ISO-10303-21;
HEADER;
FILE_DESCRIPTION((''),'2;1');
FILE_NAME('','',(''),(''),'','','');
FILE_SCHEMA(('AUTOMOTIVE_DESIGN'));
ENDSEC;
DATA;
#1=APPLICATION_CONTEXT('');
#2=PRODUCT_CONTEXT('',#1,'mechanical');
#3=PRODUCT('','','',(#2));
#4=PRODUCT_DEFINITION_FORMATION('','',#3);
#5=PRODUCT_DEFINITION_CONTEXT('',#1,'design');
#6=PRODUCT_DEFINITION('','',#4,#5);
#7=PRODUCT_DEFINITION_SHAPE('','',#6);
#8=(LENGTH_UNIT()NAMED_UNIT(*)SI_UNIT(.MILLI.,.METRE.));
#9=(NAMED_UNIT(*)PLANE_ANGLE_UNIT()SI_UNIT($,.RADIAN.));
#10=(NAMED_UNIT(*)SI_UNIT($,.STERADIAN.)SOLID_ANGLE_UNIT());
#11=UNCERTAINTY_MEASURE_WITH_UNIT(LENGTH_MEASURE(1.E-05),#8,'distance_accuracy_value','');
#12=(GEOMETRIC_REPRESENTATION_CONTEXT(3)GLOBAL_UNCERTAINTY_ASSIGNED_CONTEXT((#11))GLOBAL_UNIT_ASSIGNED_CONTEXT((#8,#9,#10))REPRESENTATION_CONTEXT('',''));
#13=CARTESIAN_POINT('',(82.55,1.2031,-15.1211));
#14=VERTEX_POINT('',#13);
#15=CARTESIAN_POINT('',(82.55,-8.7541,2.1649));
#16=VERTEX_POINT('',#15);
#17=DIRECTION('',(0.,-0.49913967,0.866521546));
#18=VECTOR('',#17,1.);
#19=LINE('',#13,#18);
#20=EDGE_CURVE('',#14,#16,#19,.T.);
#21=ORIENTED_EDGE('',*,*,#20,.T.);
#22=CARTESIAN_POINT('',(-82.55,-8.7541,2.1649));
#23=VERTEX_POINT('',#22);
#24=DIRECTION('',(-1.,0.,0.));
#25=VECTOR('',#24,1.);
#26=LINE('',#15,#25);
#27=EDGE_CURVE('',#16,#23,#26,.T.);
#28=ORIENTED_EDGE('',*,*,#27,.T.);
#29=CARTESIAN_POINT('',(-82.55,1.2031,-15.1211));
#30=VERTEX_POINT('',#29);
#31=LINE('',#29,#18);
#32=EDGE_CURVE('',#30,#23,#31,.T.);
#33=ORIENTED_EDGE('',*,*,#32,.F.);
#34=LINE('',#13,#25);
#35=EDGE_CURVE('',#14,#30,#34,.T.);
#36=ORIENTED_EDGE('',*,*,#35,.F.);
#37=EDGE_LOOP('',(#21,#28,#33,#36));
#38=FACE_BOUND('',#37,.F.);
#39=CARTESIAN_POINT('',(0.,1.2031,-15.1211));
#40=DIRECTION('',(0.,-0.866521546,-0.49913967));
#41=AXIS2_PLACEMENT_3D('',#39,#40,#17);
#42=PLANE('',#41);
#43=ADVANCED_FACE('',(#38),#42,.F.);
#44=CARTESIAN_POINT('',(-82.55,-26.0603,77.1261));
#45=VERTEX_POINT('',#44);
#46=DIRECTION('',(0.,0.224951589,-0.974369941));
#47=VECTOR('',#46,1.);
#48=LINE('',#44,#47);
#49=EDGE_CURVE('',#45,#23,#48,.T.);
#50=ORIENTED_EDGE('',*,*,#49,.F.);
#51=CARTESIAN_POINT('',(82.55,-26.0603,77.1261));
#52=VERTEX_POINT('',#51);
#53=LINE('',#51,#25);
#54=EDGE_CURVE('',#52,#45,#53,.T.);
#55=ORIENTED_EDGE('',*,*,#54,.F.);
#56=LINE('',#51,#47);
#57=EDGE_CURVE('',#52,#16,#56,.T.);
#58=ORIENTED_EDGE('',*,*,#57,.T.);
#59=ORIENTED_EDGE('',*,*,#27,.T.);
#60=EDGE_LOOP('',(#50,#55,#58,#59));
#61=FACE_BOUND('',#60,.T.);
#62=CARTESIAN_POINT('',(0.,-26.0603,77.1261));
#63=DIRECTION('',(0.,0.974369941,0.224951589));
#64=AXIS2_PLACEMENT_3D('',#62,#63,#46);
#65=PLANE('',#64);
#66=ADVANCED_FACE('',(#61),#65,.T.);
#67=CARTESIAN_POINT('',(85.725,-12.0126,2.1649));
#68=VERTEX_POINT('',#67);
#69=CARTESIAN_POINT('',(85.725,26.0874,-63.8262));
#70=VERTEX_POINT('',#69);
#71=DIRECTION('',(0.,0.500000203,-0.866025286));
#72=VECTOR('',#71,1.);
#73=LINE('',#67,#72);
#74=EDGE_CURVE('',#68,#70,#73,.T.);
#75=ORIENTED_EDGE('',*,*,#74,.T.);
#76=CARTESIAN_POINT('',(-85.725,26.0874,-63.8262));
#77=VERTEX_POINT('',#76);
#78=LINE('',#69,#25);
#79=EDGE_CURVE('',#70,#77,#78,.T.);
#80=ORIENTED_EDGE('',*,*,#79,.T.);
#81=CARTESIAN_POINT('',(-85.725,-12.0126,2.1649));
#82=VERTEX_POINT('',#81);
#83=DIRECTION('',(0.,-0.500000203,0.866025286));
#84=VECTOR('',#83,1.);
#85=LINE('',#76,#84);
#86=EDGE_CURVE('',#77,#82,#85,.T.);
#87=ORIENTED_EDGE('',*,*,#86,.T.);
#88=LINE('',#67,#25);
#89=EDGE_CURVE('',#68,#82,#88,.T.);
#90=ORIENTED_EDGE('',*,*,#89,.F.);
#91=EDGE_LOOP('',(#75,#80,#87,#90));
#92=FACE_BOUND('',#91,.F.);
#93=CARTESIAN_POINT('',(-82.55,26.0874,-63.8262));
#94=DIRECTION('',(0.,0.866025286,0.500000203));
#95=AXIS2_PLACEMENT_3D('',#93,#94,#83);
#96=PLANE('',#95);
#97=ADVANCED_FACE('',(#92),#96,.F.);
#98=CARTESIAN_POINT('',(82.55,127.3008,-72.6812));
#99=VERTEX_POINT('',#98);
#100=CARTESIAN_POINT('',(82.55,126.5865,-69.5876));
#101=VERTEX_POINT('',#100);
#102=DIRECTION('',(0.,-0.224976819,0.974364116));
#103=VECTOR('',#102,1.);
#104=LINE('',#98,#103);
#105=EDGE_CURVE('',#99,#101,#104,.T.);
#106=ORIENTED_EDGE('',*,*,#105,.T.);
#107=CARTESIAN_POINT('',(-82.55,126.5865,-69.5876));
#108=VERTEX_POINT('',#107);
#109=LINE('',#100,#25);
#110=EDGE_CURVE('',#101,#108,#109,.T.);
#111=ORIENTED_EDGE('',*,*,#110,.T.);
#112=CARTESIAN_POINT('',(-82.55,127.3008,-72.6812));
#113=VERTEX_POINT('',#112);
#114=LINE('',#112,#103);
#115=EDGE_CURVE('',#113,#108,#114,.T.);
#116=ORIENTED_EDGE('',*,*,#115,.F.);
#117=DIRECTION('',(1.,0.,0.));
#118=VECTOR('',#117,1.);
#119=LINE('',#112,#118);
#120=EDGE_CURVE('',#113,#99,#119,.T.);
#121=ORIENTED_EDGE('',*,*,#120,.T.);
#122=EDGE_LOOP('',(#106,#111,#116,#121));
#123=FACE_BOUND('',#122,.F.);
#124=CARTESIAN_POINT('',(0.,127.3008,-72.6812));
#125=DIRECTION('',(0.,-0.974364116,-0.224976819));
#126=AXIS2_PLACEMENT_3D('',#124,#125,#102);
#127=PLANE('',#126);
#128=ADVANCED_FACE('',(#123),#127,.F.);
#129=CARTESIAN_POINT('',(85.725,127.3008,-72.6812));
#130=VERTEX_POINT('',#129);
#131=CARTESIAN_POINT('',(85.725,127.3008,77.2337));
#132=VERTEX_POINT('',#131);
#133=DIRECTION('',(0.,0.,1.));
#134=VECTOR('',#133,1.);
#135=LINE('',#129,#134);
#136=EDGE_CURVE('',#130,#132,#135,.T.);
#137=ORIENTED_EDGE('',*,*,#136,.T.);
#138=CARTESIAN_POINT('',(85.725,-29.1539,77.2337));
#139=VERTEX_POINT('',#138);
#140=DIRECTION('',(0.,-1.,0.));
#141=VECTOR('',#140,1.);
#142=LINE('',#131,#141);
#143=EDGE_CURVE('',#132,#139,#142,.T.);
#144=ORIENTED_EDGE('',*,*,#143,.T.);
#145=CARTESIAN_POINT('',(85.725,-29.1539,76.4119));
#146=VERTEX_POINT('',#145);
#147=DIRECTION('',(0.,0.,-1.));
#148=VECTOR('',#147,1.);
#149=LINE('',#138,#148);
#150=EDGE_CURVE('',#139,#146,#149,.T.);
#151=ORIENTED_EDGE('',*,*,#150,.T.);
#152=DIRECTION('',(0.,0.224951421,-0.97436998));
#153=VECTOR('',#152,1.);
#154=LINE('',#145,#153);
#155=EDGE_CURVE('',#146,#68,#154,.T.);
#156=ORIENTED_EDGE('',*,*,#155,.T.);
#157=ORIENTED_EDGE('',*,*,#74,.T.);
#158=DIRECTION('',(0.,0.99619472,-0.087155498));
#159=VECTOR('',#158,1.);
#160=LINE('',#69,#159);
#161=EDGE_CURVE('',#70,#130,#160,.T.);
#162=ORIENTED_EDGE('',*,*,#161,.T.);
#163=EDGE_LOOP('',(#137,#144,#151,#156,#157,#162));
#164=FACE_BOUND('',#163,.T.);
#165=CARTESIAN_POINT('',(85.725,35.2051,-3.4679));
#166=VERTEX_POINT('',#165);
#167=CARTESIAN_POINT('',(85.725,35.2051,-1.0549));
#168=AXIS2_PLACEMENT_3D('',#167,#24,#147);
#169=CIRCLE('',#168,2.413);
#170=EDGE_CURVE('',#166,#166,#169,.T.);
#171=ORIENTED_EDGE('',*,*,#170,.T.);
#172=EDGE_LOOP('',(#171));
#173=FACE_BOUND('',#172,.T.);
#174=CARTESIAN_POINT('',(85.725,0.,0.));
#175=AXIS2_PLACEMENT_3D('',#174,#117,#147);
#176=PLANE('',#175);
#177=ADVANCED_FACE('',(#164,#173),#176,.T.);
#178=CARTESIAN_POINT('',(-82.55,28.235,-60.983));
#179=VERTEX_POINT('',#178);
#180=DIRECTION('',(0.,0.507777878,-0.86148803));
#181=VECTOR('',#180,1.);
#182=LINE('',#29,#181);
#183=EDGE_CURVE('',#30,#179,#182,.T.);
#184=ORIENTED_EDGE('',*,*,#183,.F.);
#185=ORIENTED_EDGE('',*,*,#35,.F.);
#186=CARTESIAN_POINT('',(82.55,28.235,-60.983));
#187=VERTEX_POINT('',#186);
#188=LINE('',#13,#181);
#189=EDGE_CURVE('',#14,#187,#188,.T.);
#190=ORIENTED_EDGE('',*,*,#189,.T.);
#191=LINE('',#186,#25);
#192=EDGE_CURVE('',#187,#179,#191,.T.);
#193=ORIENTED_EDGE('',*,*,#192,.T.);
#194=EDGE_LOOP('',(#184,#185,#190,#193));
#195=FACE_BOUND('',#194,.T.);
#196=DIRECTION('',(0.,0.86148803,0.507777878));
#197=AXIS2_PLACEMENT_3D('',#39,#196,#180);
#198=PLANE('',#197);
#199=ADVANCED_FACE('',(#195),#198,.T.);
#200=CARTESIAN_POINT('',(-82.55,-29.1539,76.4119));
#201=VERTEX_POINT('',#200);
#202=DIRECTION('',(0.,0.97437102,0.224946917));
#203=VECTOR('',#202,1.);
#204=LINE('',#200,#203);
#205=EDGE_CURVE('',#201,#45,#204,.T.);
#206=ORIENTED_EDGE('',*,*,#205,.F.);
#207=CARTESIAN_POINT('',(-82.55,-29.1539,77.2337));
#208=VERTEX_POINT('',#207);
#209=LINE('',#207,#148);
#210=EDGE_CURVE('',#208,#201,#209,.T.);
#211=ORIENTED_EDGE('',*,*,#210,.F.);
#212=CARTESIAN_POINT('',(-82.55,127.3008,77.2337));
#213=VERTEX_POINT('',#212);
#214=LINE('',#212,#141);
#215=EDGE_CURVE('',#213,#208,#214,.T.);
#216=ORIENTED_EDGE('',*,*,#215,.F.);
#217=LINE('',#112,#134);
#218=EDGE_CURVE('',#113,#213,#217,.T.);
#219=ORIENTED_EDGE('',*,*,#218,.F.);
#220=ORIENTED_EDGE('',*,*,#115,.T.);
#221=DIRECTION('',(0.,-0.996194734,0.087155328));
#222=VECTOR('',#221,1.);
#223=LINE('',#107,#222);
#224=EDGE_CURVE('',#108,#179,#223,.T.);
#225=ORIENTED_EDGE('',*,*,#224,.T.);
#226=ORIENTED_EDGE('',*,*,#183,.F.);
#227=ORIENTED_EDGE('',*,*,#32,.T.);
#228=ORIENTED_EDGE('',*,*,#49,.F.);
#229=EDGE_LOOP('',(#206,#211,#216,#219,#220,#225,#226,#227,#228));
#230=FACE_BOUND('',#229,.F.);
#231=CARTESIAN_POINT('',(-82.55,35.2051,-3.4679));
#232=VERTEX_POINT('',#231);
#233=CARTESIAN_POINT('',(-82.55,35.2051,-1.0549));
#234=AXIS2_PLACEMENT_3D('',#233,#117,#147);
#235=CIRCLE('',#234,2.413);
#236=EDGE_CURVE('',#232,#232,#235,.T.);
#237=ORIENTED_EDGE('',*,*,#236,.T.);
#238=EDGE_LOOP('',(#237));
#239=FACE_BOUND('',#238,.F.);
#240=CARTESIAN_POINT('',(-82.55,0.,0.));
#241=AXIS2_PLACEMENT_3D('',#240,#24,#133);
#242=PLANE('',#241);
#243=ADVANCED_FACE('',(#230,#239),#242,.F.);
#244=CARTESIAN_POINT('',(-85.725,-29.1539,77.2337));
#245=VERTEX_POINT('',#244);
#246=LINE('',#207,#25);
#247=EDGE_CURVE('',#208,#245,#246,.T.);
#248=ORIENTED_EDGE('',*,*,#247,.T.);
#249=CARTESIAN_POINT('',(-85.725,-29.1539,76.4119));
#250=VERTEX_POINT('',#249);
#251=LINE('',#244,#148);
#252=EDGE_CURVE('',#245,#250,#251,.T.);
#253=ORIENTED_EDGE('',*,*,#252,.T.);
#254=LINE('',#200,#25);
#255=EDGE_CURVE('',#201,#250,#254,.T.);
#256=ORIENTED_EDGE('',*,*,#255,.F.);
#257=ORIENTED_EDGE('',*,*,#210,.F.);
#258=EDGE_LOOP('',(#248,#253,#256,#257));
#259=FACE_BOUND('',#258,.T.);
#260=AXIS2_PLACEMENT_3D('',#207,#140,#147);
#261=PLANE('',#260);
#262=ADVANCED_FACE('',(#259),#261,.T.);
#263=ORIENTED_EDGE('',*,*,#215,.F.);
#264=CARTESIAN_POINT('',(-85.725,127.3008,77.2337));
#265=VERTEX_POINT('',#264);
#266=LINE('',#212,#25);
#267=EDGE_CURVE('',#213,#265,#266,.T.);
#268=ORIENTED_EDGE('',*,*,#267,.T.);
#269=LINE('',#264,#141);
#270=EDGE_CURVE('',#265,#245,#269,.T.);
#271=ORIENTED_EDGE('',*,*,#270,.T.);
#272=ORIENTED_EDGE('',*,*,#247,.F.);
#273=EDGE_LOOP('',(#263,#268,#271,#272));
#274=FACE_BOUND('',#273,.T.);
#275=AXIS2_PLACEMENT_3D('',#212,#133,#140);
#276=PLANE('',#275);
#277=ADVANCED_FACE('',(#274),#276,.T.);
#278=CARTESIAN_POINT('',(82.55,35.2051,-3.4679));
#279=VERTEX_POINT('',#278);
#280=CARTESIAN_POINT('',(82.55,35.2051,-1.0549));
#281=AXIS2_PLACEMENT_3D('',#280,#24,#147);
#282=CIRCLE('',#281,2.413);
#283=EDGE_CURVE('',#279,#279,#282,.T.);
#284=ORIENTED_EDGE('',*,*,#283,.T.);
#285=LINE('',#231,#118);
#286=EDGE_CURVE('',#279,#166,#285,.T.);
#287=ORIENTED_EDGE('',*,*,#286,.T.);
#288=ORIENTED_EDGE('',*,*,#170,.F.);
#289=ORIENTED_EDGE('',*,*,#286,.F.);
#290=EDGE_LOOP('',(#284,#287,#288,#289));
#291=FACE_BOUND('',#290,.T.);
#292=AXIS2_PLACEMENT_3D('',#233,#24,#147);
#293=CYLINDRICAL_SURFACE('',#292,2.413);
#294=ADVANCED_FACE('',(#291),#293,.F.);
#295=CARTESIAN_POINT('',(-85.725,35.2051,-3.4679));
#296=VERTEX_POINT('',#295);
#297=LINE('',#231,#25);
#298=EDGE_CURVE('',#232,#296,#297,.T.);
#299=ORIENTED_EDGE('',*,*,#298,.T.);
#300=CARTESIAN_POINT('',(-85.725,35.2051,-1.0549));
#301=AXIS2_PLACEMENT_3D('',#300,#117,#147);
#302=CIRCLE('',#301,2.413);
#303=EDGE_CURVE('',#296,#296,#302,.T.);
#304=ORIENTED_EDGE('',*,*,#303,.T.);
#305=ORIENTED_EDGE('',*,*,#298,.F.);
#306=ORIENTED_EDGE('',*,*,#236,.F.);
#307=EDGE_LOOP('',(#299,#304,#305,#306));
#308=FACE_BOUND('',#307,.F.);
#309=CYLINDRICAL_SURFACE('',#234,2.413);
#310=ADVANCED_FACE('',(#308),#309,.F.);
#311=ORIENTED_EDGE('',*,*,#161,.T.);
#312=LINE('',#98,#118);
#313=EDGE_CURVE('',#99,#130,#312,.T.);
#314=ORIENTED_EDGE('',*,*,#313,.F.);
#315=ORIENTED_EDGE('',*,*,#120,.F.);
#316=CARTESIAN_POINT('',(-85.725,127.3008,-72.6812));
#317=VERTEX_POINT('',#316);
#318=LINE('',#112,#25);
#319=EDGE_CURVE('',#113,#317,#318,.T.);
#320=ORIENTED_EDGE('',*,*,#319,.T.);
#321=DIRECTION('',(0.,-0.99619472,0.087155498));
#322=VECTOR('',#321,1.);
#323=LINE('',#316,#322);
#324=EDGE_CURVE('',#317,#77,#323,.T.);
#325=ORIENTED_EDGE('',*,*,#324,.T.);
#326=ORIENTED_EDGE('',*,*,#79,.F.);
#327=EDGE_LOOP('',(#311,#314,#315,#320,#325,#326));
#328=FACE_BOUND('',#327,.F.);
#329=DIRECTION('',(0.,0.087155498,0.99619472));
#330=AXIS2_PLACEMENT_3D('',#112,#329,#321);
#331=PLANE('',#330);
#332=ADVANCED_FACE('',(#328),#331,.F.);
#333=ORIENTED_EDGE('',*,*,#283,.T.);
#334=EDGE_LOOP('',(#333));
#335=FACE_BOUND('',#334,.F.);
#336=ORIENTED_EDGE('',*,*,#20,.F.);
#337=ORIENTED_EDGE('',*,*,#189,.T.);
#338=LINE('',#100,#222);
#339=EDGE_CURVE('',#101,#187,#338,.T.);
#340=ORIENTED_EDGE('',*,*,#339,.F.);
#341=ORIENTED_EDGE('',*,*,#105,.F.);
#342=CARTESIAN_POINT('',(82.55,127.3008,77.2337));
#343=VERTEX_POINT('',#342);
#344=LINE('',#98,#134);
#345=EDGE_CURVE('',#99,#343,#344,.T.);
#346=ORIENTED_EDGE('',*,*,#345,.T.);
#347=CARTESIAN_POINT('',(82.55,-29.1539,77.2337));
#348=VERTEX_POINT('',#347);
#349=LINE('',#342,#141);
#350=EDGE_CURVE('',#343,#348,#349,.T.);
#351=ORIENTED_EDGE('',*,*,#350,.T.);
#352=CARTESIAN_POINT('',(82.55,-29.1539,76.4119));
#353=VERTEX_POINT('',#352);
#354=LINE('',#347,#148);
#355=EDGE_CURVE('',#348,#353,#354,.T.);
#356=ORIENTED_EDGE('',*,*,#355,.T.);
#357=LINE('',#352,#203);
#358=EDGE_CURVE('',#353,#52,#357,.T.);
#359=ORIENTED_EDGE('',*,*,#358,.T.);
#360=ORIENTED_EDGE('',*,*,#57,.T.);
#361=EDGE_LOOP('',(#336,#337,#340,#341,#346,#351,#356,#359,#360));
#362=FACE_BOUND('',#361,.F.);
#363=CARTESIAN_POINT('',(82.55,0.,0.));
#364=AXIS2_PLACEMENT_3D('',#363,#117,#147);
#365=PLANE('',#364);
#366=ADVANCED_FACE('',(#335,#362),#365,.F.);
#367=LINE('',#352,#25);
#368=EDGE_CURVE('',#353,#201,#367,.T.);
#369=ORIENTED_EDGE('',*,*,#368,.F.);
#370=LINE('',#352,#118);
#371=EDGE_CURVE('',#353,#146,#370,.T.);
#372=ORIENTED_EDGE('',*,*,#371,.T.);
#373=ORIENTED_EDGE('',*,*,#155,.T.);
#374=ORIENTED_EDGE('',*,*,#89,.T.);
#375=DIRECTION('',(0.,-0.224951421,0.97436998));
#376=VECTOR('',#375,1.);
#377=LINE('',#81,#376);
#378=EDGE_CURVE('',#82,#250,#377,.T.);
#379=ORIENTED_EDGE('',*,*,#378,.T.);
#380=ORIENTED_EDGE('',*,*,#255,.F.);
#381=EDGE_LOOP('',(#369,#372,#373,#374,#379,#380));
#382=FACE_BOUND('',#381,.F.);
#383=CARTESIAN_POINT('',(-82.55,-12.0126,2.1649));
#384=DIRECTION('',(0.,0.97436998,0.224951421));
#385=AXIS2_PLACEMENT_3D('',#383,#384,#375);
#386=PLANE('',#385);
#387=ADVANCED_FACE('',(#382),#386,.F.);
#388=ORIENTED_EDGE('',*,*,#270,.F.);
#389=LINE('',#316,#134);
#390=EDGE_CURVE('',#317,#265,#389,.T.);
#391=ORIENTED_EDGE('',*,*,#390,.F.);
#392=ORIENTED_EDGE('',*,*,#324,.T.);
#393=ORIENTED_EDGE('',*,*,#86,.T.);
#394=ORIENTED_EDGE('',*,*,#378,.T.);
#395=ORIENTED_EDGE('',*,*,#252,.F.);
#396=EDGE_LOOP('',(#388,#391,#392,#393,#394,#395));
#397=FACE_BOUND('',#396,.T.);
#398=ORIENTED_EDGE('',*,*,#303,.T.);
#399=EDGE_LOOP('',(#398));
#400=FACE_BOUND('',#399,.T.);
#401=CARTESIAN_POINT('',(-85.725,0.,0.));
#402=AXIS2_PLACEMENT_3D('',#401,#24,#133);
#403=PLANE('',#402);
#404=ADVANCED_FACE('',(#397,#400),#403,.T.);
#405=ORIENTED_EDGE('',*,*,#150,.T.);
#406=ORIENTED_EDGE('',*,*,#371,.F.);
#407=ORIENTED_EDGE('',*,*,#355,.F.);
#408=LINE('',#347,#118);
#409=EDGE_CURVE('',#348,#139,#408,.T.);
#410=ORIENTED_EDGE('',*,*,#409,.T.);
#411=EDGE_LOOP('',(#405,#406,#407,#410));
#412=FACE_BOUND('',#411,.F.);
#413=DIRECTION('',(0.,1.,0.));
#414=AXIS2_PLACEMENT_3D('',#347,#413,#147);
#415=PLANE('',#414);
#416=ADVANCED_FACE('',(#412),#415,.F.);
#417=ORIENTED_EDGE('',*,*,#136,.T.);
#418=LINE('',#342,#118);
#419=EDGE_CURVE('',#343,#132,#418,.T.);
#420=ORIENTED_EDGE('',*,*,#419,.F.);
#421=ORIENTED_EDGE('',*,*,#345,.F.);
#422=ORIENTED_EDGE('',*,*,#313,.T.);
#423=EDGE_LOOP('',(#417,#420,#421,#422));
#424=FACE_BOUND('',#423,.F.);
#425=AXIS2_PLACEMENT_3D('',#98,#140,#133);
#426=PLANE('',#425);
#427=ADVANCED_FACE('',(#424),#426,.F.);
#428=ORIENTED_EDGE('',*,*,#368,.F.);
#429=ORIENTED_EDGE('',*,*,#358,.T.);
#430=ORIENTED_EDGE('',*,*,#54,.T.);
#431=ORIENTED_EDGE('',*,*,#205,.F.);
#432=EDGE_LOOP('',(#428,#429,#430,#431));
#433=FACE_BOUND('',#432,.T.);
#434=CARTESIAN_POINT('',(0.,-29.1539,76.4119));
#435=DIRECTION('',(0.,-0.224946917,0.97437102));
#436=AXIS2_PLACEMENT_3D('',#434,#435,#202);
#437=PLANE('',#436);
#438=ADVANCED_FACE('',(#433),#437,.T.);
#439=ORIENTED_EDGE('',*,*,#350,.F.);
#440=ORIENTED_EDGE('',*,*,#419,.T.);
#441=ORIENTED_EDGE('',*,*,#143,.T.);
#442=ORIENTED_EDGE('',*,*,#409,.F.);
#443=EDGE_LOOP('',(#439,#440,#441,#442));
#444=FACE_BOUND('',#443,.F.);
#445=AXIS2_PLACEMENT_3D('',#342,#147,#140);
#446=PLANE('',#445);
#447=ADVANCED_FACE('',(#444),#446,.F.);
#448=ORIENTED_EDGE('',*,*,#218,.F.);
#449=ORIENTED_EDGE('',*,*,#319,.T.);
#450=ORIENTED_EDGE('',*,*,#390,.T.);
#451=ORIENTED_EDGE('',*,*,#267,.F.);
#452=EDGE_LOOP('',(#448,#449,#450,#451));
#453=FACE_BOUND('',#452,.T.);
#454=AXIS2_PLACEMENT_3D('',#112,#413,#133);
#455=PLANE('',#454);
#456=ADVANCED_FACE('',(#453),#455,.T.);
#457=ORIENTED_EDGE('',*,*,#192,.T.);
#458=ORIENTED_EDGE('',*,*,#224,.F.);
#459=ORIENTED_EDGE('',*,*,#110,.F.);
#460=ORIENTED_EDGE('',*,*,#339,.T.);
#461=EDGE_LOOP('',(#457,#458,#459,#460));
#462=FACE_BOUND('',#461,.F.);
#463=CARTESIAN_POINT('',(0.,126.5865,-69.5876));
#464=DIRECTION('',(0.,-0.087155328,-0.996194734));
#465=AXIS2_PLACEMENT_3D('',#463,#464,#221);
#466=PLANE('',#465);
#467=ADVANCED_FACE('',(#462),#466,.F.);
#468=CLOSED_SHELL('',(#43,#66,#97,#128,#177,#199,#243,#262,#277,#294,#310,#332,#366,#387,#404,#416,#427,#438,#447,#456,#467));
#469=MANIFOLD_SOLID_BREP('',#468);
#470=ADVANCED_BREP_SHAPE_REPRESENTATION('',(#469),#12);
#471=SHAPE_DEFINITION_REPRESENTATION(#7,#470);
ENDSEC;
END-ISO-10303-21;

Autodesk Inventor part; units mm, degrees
ref_plane "YZ Plane" through (0, 0, 0) normal (1, 0, 0) x (0, 1, 0)
ref_plane "XZ Plane" through (0, 0, 0) normal (0, 1, 0) x (-1, 0, 0)
ref_plane "XY Plane" through (0, 0, 0) normal (0, 0, 1) x (1, 0, 0)
sketch "Sketch1" plane through (0, 0, 0) normal (1, 0, 0) x (0, 1, 0)
  line L0 (-63.8691, 100.7559) -> (-60.6941, 100.7559)
  line L1 (-12.0126, 2.1649) -> (-29.1539, 76.4119)
  line L2 (-12.0126, 2.1649) -> (64.1874, 2.1649) construction
  line L3 (-12.0126, 2.1649) -> (26.0874, -63.8262)
  line L4 (-12.0126, 2.1649) -> (64.1874, 2.1649) construction
  line L5 (26.0874, -63.8262) -> (127.3008, -72.6812)
  line L6 (-29.1539, 76.4119) -> (-26.0603, 77.1261)
  line L7 (-26.0603, 77.1261) -> (-8.7541, 2.1649)
  line L8 (127.3008, -72.6812) -> (126.5865, -69.5876)
  line L9 (126.5865, -69.5876) -> (28.235, -60.983)
  line L10 (1.2031, -15.1211) -> (28.235, -60.983)
  line L11 (1.2031, -15.1211) -> (-8.7541, 2.1649)
  dimension "d4" = 3.175
  dimension "d6" = 76.2
  dimension "d7" = 103
  dimension "d8" = 76.2
  dimension "d9" = 60
  dimension "d10" = 101.6
  dimension "d11" = 125
  dimension "d12" = 3.175
  dimension "d13" = 3.175
extrude "Extrusion1" add sketch "Sketch1" along normal mid plane 165.1
sketch "Sketch2" plane through (82.55, 0, 0) normal (1, 0, 0) x (0, 0, -1)
  line L0 (63.8262, 26.0874) -> (72.6812, 127.3008) projected
  line L1 (69.5876, 126.5865) -> (60.983, 28.235) projected
  line L2 (72.6812, 127.3008) -> (-77.2337, 127.3008)
  line L3 (-77.2337, 127.3008) -> (-77.2337, -29.1539)
  line L4 (-77.2337, -29.1539) -> (-76.4119, -29.1539)
  line L5 (72.6812, 127.3008) -> (63.8262, 26.0874)
  line L6 (-76.4119, -29.1539) -> (-2.1649, -12.0126) projected
  line L7 (-2.1649, -12.0126) -> (63.8262, 26.0874) projected
  line L8 (-76.4119, -29.1539) -> (-2.1649, -12.0126)
  line L9 (-2.1649, -12.0126) -> (63.8262, 26.0874)
  point P0 (0, 0)
extrude "Extrusion2" add sketch "Sketch2" along normal blind 3.175
sketch "Sketch3" plane through (-82.55, 0, 0) normal (-1, 0, 0) x (0, 0, 1)
  line L0 (-69.5876, 126.5865) -> (-72.6812, 127.3008) projected
  line L1 (-72.6812, 127.3008) -> (-63.8262, 26.0874) projected
  line L2 (-63.8262, 26.0874) -> (2.1649, -12.0126) projected
  line L3 (77.2337, -29.1539) -> (-72.6812, -29.1539)
  line L4 (-72.6812, -29.1539) -> (-72.6812, 127.3008)
  line L5 (-72.6812, 127.3008) -> (77.2337, 127.3008)
  line L6 (77.2337, 127.3008) -> (77.2337, -29.1539)
  line L7 (-72.6812, 127.3008) -> (-63.8262, 26.0874)
  line L8 (-63.8262, 26.0874) -> (2.1649, -12.0126)
  line L9 (2.1649, -12.0126) -> (76.4119, -29.1539)
  line L10 (76.4119, -29.1539) -> (77.2337, -29.1539)
  point P0 (0, 0)
extrude "Extrusion3" add sketch "Sketch3" along normal blind 3.175 contours L5 L6 L3 L9 L2 L1
sketch "Sketch4" plane through (-82.55, 0, 0) normal (1, 0, 0) x (0, 0, -1)
  circle A0 centre (1.0549, 35.2051) radius 2.413
  point P0 (0, 0)
  dimension "d21" = 4.826
extrude "Extrusion4" cut sketch "Sketch4" along normal through all both and the other way through all
properties part number "Bucket"
